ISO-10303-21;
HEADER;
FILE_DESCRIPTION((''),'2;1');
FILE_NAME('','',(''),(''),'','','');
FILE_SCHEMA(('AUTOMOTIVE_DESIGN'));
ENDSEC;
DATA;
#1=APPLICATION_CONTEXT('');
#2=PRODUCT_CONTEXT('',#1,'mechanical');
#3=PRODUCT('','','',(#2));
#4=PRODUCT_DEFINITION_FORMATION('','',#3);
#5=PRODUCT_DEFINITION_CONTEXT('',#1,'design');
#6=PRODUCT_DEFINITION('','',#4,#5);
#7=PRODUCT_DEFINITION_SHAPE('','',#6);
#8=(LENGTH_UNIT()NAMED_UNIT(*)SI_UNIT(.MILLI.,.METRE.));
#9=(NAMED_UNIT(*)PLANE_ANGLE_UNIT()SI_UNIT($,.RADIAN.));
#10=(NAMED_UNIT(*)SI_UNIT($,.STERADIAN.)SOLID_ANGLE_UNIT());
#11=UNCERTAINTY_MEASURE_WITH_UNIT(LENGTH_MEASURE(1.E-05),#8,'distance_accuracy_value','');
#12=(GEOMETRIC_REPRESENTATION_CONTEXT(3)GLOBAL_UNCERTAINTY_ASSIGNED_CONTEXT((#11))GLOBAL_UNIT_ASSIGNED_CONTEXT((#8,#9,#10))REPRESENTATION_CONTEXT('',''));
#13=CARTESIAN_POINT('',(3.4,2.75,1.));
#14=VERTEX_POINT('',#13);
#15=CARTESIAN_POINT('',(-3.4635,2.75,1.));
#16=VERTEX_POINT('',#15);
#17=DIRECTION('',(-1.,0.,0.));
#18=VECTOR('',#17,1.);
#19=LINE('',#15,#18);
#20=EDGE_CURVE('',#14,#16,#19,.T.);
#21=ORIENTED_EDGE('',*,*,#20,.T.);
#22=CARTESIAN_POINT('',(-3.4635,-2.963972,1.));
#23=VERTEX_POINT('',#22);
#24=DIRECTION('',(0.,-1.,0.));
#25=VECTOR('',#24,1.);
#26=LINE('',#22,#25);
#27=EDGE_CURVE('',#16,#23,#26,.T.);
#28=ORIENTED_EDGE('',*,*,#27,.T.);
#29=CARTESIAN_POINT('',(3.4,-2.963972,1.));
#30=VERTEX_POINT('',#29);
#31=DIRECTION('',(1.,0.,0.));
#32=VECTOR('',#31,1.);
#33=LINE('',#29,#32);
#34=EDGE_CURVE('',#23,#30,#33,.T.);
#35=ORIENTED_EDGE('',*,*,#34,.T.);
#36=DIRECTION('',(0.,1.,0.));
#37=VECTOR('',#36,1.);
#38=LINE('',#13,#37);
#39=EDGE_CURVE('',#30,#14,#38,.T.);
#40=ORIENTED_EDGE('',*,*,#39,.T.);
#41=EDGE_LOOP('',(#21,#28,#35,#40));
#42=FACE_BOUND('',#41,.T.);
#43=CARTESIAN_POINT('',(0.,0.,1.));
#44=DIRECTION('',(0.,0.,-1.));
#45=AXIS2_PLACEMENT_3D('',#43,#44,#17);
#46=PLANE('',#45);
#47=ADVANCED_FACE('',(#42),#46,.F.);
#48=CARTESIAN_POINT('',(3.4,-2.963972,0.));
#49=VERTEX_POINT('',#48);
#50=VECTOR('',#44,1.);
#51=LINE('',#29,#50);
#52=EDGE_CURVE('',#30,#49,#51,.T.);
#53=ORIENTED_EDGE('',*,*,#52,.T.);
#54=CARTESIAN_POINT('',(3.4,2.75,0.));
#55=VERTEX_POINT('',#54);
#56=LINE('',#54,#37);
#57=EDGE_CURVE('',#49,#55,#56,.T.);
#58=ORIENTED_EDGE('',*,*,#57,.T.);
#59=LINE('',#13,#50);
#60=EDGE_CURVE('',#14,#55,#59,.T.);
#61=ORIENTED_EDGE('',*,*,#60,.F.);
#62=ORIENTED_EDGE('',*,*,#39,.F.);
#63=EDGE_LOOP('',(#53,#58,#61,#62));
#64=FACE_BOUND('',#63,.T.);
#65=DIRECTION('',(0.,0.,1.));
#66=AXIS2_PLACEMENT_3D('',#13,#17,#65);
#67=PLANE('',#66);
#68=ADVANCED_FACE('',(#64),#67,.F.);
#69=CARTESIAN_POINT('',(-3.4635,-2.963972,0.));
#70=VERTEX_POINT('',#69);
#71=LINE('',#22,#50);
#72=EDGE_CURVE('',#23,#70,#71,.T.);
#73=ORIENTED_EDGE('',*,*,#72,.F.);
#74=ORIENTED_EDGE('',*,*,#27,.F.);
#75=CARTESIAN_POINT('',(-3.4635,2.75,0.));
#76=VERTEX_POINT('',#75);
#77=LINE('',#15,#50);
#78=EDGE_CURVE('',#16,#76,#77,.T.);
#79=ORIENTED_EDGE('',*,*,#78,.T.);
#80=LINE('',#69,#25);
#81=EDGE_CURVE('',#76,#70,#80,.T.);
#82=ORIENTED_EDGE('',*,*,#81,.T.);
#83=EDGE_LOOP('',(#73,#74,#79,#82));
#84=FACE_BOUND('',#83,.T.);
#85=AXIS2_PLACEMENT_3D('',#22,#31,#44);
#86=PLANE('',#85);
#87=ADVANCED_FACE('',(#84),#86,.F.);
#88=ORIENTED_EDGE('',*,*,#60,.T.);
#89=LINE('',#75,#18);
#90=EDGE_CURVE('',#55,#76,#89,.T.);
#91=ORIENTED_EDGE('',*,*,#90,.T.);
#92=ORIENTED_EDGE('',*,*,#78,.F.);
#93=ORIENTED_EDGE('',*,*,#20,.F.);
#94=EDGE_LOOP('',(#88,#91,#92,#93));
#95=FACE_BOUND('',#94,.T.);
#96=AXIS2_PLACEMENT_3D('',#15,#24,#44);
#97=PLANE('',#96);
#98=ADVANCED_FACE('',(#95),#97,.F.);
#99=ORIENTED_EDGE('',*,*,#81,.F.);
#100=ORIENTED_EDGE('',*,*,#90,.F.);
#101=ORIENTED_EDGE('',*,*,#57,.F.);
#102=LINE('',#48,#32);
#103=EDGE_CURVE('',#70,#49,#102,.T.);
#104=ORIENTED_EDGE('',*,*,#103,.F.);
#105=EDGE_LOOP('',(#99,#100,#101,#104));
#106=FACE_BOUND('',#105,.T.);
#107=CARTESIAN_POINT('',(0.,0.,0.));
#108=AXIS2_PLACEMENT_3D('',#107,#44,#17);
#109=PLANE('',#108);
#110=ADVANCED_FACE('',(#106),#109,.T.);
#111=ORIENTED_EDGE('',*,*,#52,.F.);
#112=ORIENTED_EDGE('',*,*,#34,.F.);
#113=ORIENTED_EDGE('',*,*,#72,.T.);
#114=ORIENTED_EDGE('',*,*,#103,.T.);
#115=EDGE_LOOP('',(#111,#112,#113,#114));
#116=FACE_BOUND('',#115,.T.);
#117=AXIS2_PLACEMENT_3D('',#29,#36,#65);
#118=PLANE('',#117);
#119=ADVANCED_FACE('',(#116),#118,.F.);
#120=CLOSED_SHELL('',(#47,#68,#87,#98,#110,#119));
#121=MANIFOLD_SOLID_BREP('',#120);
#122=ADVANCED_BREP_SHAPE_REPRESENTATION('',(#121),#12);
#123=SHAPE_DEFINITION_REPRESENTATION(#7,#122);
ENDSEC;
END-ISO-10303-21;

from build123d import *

# Parameters (mm, degrees)
SKETCH1_W               = 6.8635
SKETCH1_H               = 5.713972
COMPONENT_OUTLINE_DEPTH = 1


with BuildPart() as part:
    # Sketch1 → Component_Outline (new body)
    with BuildSketch(Plane.XY):
        with Locations((-0.03175, -0.106986)):
            Rectangle(SKETCH1_W, SKETCH1_H)
    extrude(amount=COMPONENT_OUTLINE_DEPTH)


solid = part.part
